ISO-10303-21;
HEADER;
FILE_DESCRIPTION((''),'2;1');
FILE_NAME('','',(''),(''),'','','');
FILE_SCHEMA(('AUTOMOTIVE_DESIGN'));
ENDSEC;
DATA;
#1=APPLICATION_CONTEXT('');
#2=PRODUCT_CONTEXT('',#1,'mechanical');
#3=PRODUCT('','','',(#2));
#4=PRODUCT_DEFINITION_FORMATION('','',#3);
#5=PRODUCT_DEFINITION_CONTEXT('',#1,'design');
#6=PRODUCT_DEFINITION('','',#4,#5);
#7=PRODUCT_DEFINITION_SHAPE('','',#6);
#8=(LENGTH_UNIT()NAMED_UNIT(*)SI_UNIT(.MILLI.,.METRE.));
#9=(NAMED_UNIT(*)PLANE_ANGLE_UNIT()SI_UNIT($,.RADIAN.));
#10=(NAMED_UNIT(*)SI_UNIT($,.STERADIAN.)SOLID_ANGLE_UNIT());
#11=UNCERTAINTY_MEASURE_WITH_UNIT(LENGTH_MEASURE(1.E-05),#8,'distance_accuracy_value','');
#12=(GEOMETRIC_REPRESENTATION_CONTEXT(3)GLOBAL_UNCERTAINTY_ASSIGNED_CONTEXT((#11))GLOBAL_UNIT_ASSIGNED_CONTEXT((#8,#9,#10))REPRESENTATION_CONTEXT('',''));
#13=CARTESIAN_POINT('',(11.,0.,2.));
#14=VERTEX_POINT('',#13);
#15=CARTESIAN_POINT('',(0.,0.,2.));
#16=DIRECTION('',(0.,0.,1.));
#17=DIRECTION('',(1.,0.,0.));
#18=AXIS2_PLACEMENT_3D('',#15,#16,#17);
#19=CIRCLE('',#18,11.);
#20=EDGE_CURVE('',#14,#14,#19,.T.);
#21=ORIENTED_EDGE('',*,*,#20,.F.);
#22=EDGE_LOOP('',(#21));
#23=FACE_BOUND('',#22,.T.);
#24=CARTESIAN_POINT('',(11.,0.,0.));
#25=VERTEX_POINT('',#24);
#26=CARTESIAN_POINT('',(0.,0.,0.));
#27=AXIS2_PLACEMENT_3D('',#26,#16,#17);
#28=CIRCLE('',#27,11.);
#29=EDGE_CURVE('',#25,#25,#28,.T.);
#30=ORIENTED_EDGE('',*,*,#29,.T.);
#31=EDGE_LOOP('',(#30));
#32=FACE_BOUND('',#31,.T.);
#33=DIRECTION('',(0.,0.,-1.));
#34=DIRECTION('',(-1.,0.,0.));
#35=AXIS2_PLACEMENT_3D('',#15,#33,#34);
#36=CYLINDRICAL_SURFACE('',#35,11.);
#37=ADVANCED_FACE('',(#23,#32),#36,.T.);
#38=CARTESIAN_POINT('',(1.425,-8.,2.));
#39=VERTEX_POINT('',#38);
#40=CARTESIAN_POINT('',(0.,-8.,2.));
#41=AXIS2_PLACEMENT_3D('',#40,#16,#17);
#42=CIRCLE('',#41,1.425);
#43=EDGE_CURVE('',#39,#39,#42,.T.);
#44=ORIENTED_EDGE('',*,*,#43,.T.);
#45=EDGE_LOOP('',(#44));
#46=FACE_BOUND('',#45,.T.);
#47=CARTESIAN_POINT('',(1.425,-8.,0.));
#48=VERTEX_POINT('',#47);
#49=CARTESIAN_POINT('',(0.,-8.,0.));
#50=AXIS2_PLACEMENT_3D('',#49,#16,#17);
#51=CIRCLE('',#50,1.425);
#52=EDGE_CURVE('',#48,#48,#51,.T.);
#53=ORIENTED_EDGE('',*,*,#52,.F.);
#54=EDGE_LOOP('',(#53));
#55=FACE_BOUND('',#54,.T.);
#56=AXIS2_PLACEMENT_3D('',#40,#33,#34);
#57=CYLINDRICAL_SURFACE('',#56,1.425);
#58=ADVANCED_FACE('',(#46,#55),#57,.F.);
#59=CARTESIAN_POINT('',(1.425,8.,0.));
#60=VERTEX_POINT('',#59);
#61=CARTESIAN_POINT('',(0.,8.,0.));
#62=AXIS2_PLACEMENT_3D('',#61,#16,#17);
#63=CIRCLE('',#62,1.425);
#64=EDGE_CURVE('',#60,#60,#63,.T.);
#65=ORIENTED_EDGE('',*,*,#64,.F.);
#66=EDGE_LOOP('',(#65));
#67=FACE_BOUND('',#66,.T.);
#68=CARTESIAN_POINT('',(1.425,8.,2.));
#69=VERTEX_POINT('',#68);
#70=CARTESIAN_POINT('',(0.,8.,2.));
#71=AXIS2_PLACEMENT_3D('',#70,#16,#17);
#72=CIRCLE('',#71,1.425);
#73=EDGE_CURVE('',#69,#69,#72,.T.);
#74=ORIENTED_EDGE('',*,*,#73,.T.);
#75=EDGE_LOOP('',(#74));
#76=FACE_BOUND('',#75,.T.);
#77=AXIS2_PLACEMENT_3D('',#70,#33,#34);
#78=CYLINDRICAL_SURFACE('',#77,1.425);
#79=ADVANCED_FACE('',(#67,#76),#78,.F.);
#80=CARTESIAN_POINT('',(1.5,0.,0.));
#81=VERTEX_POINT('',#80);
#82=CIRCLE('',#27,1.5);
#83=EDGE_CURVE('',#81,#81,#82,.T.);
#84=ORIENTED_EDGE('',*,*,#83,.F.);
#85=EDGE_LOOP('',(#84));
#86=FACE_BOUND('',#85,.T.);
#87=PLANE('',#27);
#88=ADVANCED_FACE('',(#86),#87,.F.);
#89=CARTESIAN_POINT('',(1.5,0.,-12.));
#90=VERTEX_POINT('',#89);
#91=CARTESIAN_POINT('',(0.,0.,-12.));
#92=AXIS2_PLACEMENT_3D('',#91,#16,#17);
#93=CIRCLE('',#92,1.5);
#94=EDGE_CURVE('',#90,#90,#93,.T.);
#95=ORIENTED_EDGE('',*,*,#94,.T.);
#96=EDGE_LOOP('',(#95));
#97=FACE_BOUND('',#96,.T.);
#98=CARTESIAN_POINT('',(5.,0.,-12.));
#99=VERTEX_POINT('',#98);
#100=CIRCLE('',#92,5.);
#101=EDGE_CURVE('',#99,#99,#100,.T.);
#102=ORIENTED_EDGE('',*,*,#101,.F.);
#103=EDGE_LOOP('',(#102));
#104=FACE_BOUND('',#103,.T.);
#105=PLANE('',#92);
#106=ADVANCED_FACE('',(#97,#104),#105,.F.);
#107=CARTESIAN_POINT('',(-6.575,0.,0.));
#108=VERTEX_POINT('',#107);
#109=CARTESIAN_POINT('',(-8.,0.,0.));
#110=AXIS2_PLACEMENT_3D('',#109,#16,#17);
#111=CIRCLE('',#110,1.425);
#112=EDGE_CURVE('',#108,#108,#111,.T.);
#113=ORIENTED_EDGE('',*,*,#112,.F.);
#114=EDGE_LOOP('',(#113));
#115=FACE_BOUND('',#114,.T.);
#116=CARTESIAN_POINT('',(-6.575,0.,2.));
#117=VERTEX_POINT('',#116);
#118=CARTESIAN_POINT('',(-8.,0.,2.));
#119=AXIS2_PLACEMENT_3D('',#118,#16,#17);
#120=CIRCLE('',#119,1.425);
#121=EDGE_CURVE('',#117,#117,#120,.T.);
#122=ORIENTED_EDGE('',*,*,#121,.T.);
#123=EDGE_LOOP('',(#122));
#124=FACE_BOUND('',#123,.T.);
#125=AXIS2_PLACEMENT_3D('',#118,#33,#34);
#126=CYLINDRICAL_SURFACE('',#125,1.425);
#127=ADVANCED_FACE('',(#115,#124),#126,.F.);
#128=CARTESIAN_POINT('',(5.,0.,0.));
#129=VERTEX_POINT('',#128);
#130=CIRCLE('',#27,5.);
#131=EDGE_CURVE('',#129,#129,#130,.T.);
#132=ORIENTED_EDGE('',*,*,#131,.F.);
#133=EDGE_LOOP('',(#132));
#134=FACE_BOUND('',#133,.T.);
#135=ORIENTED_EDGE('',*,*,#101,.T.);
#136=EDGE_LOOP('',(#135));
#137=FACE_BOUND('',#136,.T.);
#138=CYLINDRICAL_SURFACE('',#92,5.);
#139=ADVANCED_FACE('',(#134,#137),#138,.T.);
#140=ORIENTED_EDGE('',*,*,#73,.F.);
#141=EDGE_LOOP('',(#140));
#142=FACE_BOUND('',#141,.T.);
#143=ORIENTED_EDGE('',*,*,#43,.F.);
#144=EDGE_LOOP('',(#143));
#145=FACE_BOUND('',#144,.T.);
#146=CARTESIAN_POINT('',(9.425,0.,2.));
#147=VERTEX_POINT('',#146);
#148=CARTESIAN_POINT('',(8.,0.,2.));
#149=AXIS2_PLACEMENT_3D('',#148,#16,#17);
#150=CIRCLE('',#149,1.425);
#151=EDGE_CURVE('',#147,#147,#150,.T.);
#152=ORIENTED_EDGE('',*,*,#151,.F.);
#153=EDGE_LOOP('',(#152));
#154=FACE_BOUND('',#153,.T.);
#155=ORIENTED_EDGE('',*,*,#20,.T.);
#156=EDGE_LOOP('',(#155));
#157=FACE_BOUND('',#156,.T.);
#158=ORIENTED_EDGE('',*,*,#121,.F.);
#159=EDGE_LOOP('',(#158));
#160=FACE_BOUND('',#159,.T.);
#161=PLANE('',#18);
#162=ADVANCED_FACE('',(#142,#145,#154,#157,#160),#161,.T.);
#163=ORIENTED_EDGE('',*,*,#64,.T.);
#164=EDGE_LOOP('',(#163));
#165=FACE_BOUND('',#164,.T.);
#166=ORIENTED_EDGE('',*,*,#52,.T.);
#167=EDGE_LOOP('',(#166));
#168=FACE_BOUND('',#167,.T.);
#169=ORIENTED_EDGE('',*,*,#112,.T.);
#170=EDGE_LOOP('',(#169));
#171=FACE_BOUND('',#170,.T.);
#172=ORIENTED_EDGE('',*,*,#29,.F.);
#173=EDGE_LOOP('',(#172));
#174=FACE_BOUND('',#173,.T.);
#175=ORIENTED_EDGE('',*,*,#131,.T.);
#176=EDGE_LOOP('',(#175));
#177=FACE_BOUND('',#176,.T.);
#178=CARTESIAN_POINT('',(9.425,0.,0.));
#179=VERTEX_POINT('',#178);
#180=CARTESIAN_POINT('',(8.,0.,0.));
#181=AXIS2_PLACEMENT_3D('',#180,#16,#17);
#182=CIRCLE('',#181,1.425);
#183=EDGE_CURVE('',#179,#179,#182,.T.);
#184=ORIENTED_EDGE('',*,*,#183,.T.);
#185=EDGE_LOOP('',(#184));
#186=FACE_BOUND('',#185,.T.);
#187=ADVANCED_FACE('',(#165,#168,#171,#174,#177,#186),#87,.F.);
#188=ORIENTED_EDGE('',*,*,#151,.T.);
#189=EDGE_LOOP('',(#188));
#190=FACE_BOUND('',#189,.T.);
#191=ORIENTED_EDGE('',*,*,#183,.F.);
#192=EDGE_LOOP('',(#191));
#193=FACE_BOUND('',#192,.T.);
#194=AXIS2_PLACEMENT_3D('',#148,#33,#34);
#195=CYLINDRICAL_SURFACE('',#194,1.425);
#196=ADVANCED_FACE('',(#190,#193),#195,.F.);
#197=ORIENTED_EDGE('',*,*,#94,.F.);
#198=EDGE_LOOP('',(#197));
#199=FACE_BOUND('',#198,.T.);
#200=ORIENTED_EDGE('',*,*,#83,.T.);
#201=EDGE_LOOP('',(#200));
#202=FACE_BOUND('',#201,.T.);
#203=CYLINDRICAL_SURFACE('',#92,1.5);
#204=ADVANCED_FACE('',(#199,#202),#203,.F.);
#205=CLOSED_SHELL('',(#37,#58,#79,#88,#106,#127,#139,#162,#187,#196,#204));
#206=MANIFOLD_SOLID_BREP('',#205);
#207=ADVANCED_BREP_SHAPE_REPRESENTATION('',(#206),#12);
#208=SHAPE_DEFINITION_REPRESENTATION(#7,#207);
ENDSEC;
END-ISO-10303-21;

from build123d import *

# Parameters (mm, degrees)
SKETCH1_R           = 11
SKETCH1_R_2         = 1.425
BOSS_EXTRUDE1_DEPTH = 2
SKETCH1_4_R         = 5
SKETCH1_4_R_2       = 1.5
BOSS_EXTRUDE2_DEPTH = 12


with BuildPart() as part:
    # Sketch1 → Boss-Extrude1 (new body)
    with BuildSketch(Plane.XY):
        Circle(SKETCH1_R)
        with Locations((0, 8)):
            Circle(SKETCH1_R_2, mode=Mode.SUBTRACT)
        with Locations((8, 0)):
            Circle(SKETCH1_R_2, mode=Mode.SUBTRACT)
        with Locations((0, -8)):
            Circle(SKETCH1_R_2, mode=Mode.SUBTRACT)
        with Locations((-8, 0)):
            Circle(SKETCH1_R_2, mode=Mode.SUBTRACT)
    extrude(amount=BOSS_EXTRUDE1_DEPTH)

    # Sketch1<4> → Boss-Extrude2 (add)
    with BuildSketch(Plane.XY):
        Circle(SKETCH1_4_R)
        Circle(SKETCH1_4_R_2, mode=Mode.SUBTRACT)
    extrude(amount=-BOSS_EXTRUDE2_DEPTH)


solid = part.part
